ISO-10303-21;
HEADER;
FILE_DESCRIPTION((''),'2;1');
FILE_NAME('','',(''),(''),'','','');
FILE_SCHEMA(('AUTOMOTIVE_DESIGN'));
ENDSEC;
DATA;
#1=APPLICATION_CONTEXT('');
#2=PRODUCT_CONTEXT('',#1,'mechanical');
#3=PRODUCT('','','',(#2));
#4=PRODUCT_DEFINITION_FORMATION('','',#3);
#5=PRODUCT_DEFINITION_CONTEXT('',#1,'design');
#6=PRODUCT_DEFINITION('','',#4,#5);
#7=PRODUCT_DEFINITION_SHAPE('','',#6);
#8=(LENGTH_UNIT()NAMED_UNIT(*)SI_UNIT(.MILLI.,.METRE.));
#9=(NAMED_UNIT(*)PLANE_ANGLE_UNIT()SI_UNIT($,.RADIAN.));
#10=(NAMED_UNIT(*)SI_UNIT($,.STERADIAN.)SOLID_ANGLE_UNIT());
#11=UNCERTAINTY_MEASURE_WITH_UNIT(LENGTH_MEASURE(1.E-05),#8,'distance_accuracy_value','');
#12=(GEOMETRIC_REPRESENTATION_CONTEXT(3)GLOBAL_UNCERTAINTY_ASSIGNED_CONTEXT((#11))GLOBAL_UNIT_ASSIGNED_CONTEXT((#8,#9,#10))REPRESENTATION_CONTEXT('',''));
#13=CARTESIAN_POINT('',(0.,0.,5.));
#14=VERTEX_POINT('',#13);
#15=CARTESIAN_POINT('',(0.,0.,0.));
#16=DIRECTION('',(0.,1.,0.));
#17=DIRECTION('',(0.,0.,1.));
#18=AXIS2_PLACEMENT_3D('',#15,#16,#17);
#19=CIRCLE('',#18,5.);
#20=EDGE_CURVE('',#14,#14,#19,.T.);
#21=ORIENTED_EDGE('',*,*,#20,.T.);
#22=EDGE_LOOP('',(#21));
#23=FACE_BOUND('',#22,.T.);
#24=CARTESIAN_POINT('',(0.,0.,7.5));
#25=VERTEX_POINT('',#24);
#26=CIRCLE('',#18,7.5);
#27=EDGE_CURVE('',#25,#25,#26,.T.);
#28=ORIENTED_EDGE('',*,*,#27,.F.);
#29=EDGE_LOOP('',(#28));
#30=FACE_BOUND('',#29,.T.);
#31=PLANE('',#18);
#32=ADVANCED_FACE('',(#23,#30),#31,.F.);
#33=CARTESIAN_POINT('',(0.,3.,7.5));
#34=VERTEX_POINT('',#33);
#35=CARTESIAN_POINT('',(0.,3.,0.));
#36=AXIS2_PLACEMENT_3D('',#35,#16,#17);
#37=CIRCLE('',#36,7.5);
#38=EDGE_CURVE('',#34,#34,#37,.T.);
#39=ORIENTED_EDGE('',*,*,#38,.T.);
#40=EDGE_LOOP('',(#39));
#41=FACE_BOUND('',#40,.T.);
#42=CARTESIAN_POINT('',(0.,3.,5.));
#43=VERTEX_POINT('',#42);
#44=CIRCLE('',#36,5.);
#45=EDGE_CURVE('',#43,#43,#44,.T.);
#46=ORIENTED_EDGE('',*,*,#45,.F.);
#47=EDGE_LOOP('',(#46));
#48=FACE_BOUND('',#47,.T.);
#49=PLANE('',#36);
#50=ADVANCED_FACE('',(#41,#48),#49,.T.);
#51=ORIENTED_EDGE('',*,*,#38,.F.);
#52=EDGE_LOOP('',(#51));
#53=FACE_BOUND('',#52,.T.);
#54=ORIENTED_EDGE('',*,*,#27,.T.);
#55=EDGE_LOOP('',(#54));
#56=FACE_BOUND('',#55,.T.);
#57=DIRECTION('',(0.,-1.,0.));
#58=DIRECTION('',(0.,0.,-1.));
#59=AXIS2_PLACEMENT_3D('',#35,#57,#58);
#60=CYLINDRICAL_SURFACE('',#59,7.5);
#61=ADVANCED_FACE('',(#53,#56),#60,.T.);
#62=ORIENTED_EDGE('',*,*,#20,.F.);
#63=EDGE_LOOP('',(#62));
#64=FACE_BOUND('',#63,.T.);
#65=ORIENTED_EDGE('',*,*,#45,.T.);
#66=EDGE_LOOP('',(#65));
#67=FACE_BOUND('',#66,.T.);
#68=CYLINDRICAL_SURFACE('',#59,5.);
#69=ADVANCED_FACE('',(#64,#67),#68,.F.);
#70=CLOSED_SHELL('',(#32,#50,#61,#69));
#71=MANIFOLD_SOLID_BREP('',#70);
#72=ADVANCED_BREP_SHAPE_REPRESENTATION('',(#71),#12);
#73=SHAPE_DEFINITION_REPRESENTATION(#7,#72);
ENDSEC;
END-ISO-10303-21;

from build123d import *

# Parameters (mm, degrees)
SKETCH1_R           = 7.5
SKETCH1_R_2         = 5
BOSS_EXTRUDE1_DEPTH = 3


with BuildPart() as part:
    # Sketch1 → Boss-Extrude1 (new body)
    with BuildSketch(Plane(origin=(0, 0, 0), x_dir=(1, 0, 0), z_dir=(0, 1, 0))):
        Circle(SKETCH1_R)
        Circle(SKETCH1_R_2, mode=Mode.SUBTRACT)
    extrude(amount=BOSS_EXTRUDE1_DEPTH)


solid = part.part
